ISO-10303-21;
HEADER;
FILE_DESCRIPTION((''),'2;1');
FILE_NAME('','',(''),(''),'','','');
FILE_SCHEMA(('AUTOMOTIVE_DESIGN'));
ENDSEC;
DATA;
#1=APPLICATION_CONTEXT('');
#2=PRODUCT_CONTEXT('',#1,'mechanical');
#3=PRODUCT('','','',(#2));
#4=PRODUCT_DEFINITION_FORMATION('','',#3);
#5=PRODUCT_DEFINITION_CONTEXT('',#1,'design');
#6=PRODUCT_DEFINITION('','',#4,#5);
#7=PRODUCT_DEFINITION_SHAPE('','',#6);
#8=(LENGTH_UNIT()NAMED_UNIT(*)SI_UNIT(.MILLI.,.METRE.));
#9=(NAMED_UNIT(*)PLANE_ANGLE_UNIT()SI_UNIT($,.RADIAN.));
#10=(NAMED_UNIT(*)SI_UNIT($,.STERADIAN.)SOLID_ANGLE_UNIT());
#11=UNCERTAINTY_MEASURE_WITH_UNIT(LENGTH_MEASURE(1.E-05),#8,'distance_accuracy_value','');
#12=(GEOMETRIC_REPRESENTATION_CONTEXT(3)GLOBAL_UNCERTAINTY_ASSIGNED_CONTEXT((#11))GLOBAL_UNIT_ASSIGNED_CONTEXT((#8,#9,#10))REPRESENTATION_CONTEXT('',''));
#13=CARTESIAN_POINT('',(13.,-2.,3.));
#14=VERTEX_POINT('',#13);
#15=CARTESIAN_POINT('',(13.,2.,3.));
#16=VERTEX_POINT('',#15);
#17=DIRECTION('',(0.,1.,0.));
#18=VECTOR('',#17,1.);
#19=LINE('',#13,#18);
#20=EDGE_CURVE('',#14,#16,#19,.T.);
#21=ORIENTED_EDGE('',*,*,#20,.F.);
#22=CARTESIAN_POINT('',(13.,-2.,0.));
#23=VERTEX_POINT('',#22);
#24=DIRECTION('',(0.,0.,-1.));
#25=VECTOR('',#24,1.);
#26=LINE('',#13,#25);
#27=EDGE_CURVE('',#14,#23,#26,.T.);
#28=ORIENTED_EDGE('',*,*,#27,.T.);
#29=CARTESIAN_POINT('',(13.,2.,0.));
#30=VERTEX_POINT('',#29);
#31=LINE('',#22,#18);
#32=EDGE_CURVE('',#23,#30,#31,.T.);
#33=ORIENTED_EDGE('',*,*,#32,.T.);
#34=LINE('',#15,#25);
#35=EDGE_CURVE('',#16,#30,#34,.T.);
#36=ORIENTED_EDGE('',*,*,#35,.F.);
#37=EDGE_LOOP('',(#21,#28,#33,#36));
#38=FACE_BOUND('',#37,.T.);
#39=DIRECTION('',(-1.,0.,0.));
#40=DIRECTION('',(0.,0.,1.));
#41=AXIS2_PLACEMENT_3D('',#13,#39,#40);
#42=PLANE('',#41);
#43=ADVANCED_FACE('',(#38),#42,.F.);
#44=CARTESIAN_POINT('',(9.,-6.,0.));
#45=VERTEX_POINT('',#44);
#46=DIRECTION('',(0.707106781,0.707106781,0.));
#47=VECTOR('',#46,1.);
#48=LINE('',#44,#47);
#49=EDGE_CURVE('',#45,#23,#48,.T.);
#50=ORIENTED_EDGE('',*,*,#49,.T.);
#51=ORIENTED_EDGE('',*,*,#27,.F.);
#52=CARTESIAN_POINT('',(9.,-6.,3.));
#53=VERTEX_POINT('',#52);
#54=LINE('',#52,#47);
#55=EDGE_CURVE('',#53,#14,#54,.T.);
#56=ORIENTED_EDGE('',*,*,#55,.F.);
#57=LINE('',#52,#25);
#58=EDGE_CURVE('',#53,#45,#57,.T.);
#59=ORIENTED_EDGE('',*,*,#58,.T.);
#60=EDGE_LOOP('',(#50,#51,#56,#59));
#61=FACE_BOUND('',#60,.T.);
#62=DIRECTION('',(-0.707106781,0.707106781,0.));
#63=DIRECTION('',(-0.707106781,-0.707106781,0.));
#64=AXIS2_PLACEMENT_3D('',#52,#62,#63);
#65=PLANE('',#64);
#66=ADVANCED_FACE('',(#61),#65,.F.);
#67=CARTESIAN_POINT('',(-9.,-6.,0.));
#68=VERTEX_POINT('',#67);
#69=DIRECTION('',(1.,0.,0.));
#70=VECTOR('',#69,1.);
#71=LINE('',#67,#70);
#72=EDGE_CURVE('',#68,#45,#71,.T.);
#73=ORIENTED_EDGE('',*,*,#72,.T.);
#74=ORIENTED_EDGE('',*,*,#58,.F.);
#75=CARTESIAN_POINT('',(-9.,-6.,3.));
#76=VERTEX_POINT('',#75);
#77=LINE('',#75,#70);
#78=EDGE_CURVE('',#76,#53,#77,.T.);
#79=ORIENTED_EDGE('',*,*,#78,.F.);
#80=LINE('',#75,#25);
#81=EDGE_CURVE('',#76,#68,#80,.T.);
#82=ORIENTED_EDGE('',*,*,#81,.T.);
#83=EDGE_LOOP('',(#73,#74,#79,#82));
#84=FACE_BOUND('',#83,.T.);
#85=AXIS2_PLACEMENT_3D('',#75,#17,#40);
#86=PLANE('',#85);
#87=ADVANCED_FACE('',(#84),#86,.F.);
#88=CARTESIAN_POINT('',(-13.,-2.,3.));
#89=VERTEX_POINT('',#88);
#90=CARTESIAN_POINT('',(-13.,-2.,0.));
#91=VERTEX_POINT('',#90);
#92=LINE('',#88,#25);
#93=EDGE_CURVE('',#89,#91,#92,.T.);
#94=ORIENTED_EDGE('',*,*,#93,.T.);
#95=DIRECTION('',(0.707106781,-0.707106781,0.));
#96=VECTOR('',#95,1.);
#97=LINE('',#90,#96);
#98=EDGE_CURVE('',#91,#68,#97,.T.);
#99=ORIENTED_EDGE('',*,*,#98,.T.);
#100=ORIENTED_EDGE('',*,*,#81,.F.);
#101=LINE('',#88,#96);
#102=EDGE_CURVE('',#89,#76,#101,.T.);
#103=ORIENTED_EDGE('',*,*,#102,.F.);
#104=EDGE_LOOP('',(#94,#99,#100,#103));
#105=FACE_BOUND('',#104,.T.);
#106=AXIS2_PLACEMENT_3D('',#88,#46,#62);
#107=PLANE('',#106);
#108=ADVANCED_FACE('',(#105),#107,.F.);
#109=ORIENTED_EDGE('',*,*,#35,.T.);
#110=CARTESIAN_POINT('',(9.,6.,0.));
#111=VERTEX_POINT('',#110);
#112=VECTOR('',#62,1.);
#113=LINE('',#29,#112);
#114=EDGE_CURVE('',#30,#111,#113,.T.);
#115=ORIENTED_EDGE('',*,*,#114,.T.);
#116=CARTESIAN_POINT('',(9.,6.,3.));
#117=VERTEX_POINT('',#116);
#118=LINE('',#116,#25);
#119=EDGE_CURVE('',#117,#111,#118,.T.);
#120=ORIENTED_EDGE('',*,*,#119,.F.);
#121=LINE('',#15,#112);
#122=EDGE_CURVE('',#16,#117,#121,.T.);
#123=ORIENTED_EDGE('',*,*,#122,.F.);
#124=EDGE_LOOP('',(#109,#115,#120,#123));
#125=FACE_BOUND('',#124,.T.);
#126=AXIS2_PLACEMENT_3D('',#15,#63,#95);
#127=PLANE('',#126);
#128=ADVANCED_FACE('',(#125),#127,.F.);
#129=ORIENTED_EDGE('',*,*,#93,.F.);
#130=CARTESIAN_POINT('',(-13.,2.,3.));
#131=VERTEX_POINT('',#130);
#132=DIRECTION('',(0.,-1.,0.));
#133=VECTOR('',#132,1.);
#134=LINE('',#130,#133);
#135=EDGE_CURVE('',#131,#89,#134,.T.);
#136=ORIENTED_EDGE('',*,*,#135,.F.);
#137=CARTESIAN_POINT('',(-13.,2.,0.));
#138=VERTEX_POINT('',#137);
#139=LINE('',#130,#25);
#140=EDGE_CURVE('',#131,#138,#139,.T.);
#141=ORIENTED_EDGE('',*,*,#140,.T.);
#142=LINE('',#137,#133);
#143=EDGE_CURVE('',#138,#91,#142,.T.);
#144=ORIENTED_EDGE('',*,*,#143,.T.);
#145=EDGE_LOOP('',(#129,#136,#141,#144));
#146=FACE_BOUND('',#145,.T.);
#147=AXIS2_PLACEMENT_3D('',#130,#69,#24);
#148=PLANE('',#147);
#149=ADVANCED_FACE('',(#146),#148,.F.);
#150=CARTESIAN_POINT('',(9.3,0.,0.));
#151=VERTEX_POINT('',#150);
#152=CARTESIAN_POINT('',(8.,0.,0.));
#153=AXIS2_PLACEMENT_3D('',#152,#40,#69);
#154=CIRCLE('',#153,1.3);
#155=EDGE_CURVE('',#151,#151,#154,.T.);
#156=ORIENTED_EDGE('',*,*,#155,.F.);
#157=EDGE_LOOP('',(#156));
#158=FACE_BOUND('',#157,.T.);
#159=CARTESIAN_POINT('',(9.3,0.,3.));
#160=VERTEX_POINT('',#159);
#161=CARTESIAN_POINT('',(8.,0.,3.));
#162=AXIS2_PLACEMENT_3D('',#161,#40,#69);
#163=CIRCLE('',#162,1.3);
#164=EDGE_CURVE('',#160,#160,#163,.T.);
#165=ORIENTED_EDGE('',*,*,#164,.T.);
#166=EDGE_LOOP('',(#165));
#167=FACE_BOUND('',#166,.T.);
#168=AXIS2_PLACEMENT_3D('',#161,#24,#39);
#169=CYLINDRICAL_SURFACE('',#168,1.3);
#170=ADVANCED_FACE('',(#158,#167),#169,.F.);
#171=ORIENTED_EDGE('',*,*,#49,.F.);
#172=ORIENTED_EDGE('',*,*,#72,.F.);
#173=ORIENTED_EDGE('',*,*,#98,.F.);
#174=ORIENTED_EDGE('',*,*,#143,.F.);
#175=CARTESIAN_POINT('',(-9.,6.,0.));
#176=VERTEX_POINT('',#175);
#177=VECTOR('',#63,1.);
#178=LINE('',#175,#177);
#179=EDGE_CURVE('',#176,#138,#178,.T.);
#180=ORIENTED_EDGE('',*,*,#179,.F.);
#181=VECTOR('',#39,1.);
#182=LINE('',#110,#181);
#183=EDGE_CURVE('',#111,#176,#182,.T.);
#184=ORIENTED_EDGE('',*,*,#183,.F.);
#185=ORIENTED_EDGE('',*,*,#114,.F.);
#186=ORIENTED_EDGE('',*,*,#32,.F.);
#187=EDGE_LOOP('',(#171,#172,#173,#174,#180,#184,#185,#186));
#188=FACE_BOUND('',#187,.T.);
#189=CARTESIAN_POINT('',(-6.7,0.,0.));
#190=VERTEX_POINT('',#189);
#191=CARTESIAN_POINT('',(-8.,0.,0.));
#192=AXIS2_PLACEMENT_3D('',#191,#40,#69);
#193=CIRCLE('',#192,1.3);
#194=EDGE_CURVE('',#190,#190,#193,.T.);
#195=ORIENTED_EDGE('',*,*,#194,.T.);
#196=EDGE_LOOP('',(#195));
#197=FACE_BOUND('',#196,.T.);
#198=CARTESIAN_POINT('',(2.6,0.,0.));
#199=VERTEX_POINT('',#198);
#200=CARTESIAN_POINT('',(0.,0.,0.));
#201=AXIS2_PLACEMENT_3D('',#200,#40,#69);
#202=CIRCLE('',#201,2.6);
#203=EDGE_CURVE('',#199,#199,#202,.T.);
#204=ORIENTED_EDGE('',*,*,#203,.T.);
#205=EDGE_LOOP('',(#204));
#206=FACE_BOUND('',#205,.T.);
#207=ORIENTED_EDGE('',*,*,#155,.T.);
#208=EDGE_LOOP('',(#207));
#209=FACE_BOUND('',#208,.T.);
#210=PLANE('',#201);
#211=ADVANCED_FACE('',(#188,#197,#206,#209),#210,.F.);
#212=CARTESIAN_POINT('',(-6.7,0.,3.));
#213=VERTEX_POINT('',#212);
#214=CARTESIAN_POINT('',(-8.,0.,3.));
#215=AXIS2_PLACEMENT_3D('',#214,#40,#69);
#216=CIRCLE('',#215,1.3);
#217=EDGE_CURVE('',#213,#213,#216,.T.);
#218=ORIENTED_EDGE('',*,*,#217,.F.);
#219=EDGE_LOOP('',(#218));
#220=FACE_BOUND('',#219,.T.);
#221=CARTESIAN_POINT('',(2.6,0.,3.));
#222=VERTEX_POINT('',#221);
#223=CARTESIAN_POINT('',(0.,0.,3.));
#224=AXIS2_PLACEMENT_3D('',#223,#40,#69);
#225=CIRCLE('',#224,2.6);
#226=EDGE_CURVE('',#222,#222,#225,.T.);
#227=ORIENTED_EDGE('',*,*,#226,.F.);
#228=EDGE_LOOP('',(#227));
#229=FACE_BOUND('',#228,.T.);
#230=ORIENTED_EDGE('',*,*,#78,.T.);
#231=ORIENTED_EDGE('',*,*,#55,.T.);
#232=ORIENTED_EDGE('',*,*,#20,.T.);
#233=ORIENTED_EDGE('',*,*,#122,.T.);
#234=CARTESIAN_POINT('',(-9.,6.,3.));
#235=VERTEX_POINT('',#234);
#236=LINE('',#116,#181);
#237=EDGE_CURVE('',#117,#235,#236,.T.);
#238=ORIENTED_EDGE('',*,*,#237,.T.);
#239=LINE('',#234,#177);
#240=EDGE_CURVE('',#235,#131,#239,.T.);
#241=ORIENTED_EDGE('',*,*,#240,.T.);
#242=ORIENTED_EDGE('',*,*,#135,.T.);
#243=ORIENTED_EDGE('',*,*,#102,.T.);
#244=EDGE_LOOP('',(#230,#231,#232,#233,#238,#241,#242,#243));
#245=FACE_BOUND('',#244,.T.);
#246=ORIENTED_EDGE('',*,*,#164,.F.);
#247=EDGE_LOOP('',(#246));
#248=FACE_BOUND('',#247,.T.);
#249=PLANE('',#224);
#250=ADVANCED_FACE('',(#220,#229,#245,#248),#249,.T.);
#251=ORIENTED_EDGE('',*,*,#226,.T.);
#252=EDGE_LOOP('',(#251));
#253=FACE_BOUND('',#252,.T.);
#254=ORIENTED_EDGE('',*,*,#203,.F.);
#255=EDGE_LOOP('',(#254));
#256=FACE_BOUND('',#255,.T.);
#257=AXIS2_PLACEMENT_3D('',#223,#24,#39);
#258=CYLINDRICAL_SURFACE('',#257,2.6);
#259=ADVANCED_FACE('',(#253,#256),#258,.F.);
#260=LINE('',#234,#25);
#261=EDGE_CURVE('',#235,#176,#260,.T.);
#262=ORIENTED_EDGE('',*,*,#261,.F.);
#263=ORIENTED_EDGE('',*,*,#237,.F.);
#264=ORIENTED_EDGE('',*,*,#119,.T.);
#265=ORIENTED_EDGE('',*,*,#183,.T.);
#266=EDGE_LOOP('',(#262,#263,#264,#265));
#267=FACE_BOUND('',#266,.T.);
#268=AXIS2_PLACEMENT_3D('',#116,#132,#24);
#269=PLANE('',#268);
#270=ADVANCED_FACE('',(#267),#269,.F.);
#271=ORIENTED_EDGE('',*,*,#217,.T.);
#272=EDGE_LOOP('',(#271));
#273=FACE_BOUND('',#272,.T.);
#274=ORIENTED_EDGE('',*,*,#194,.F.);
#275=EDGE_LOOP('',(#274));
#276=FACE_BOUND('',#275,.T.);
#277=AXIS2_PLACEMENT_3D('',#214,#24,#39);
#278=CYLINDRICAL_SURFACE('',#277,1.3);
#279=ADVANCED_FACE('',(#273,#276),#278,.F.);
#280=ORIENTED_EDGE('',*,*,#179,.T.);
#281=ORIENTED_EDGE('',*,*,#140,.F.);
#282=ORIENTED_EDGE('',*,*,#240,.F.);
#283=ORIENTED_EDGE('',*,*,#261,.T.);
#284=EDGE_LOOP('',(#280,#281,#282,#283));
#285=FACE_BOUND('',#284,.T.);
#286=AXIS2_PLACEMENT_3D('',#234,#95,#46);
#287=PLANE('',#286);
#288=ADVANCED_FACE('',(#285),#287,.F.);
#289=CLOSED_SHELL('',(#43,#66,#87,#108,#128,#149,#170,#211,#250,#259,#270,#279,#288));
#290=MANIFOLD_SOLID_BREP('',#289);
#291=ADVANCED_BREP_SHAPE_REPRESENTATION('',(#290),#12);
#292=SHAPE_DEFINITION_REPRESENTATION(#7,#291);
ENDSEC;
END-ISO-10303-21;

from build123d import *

# Parameters (mm, degrees)
SKETCH_1_R    = 2.6
SKETCH_1_R_2  = 1.3
M5_M2P5_DEPTH = 3


with BuildPart() as part:
    # 草图1 → M5转接毂_双M2p5折叠轴孔 (new body)
    with BuildSketch(Plane.XY):
        Polygon((-9, -6), (9, -6), (13, -2), (13, 2), (9, 6), (-9, 6), (-13, 2), (-13, -2), align=None)
        Circle(SKETCH_1_R, mode=Mode.SUBTRACT)
        with Locations((-8, 0)):
            Circle(SKETCH_1_R_2, mode=Mode.SUBTRACT)
        with Locations((8, 0)):
            Circle(SKETCH_1_R_2, mode=Mode.SUBTRACT)
    extrude(amount=M5_M2P5_DEPTH)


solid = part.part
